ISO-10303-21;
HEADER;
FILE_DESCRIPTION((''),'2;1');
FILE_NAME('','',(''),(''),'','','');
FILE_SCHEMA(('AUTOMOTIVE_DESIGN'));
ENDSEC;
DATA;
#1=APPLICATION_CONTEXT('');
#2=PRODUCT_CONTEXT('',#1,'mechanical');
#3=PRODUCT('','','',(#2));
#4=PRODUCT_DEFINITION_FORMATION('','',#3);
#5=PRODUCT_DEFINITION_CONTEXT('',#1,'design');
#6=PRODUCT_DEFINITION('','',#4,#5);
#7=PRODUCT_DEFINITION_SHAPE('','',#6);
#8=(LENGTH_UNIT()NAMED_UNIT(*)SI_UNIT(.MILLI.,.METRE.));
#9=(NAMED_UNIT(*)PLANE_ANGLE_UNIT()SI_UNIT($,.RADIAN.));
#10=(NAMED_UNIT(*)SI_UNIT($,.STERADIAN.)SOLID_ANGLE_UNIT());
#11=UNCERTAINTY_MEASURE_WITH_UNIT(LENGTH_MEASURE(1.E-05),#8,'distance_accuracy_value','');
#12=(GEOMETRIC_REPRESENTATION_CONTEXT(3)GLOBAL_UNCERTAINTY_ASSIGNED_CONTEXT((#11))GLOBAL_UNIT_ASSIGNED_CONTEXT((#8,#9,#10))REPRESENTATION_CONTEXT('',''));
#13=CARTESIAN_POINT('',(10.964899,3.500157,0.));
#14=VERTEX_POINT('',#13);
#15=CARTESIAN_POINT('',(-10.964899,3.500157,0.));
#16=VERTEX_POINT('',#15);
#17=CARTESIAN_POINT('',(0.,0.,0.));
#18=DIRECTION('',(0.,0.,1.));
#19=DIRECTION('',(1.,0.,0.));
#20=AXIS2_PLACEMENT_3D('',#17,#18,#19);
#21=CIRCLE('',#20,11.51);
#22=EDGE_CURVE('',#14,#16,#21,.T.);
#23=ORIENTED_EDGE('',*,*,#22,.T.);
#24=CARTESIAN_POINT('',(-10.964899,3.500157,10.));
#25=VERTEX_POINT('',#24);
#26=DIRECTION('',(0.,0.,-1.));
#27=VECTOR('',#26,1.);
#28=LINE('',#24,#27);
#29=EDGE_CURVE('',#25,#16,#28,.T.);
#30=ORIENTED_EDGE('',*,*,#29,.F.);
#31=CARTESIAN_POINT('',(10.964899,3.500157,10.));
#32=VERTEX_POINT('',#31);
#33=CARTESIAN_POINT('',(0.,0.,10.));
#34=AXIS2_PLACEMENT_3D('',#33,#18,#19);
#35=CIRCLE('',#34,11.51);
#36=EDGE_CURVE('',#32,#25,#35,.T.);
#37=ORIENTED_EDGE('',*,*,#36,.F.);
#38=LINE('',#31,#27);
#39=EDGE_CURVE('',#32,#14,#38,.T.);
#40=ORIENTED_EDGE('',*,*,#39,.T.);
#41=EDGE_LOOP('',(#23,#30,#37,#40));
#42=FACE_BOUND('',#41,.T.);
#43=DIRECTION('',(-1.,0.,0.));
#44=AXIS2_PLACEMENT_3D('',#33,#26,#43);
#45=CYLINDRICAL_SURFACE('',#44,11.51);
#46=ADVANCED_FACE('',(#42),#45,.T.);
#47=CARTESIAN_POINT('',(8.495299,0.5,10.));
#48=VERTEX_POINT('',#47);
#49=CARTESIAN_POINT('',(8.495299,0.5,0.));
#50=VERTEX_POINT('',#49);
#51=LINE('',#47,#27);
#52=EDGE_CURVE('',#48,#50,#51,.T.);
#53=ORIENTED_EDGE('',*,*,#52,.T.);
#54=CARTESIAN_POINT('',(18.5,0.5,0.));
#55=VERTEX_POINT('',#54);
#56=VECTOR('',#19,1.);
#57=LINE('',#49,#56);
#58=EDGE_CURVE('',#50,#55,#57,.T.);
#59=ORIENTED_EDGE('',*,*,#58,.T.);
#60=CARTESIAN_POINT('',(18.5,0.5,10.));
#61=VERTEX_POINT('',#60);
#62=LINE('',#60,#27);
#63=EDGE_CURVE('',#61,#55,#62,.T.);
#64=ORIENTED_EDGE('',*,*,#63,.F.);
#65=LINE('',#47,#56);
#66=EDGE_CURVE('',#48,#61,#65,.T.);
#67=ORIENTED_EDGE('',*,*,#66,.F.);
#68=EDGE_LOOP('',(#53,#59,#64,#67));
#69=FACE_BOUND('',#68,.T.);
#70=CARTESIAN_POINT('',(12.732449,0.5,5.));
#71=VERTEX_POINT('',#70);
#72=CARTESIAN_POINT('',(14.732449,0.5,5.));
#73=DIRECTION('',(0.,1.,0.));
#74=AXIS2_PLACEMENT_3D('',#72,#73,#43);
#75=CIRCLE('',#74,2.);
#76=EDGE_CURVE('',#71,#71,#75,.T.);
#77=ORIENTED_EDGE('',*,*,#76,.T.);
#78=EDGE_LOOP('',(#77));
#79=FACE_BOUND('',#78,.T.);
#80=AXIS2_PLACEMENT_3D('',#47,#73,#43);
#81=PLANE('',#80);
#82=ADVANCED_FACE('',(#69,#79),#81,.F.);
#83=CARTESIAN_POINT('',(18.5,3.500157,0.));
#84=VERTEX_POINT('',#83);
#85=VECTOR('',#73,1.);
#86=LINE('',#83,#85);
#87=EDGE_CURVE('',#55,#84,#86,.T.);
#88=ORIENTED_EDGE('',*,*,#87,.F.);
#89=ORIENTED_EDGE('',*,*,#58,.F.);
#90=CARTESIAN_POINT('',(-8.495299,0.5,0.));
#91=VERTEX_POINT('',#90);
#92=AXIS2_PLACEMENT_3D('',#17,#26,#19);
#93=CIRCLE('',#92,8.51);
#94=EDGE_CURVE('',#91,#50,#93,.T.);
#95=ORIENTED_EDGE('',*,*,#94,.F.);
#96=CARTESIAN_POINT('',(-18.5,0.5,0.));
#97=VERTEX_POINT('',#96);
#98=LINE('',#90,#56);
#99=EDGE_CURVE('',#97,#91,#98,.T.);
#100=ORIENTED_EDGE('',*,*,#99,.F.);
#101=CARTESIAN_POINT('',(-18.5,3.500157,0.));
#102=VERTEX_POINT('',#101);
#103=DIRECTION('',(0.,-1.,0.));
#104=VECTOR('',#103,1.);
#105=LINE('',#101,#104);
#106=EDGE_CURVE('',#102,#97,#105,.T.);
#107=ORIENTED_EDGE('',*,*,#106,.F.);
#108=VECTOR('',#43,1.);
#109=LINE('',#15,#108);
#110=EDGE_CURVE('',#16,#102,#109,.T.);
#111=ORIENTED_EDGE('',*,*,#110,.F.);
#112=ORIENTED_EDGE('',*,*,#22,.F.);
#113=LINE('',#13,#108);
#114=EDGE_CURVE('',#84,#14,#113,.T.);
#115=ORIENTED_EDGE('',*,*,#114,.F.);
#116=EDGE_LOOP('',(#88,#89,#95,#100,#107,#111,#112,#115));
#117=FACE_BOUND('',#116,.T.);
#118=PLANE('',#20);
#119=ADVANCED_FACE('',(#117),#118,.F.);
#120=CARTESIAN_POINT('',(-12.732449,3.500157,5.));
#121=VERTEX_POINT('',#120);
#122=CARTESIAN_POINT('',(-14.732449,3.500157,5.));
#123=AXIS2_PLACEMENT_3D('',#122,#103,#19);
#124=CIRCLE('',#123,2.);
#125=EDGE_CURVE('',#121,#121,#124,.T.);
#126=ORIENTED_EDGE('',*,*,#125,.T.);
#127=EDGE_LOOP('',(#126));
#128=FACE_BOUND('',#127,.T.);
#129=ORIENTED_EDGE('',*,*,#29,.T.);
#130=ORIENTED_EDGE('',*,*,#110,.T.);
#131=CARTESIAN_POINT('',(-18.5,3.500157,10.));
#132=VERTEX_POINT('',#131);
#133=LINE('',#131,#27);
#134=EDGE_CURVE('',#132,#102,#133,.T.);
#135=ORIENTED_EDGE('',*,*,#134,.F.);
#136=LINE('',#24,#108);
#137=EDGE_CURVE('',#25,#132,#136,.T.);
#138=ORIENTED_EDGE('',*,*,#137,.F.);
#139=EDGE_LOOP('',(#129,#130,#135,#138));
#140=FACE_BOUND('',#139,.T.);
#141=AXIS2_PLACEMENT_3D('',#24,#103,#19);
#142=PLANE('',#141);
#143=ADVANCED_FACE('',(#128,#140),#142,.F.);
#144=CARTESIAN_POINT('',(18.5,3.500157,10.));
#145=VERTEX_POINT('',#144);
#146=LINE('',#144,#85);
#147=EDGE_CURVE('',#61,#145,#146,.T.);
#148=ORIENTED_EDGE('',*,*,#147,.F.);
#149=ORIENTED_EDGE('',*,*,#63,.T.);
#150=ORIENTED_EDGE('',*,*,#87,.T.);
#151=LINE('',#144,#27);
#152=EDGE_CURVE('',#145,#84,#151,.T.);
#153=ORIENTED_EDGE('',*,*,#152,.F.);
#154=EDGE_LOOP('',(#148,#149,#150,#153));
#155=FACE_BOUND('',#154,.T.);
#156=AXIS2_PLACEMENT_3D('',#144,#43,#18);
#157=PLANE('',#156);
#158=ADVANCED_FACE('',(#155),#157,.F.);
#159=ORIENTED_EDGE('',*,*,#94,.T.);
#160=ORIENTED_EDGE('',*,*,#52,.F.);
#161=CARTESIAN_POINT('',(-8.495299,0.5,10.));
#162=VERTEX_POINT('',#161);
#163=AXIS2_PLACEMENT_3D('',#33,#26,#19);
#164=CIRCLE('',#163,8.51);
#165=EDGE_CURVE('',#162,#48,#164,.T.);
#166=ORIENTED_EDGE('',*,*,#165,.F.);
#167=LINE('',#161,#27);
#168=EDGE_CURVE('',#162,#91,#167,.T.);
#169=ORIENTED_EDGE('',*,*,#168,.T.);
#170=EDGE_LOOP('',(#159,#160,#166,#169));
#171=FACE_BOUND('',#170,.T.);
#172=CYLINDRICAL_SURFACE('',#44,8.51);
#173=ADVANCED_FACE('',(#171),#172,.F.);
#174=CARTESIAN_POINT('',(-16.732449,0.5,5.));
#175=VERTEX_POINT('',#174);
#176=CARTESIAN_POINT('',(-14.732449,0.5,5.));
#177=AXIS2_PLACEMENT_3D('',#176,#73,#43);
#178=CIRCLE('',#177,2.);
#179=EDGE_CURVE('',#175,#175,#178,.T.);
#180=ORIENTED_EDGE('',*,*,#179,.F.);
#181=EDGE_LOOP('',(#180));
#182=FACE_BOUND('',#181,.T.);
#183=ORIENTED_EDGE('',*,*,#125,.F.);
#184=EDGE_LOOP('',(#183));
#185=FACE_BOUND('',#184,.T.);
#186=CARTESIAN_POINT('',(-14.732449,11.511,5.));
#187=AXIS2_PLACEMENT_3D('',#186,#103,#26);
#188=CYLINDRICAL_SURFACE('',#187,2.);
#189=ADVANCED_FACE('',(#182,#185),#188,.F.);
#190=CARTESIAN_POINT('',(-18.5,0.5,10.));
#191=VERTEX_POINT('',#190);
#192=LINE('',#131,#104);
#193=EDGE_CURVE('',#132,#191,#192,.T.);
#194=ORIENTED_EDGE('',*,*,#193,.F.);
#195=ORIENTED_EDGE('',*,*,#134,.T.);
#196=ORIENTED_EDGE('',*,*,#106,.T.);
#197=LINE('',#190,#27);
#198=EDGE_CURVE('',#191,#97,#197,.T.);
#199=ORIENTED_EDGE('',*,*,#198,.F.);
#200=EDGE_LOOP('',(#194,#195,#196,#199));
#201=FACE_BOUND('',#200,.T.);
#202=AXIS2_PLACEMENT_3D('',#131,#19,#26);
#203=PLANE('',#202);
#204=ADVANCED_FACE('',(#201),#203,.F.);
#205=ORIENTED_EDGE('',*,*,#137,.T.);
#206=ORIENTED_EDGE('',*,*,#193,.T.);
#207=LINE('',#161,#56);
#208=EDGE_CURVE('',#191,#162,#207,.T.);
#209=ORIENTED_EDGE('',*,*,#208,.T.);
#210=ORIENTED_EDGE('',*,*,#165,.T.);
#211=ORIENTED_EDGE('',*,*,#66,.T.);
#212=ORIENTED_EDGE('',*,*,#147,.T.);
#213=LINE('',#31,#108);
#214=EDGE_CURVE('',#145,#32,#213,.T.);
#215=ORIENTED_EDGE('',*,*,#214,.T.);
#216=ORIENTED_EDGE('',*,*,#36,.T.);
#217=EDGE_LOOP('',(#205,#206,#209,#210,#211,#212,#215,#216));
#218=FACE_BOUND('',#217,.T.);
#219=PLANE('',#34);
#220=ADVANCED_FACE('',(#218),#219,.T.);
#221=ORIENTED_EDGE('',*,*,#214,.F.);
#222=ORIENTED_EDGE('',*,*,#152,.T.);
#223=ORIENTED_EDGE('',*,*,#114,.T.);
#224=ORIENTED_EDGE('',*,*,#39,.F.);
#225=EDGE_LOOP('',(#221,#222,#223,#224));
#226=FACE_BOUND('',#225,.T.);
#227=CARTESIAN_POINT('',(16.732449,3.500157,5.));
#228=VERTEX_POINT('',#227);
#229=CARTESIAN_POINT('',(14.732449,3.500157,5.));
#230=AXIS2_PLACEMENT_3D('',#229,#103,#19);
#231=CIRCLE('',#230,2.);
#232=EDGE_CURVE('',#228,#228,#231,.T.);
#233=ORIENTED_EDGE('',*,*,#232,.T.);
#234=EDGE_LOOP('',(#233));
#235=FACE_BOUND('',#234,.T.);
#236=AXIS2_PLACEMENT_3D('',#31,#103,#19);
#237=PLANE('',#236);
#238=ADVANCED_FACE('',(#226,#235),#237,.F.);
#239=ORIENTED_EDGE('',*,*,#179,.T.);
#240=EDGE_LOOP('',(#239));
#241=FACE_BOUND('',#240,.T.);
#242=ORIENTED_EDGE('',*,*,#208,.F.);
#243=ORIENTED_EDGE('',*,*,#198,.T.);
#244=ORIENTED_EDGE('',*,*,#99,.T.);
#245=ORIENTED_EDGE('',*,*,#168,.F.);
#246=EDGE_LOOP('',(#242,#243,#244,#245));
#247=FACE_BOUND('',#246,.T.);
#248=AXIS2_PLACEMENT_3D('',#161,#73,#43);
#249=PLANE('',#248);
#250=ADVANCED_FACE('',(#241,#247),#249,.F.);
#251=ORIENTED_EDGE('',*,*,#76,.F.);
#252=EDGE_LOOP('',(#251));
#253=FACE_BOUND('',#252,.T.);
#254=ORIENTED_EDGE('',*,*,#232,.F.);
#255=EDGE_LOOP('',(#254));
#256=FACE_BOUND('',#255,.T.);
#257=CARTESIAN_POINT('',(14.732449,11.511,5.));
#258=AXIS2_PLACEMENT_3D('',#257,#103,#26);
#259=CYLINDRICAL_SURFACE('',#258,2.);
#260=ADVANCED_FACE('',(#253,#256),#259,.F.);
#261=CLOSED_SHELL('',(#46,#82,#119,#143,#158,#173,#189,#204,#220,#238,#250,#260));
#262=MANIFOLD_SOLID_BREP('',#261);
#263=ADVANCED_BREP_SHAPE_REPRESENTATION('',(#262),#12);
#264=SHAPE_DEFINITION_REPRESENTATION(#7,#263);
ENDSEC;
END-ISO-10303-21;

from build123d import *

# Parameters (mm, degrees)
BOSS_EXTRUDE1_DEPTH = 10
CUT_EXTRUDE3_REACH  = 13.51
SKETCH2_R           = 2


with BuildPart() as part:
    # Sketch1 → Boss-Extrude1 (new body)
    with BuildSketch(Plane.XY):
        with BuildLine():
            Line((8.4952987, 0.5), (18.5, 0.5))
            Line((18.5, 0.5), (18.5, 3.500157096))
            Line((18.5, 3.500157096), (10.964898554, 3.500157096))
            ThreePointArc((10.964898554, 3.500157096), (0, 11.51), (-10.964898554, 3.500157096))
            Line((-10.964898554, 3.500157096), (-18.5, 3.500157096))
            Line((-18.5, 3.500157096), (-18.5, 0.5))
            Line((-18.5, 0.5), (-8.4952987, 0.5))
            ThreePointArc((-8.4952987, 0.5), (0, 8.51), (8.4952987, 0.5))
        make_face()
    extrude(amount=BOSS_EXTRUDE1_DEPTH)

    # Sketch2 → Cut-Extrude3 (cut, up to next)
    with BuildSketch(Plane(origin=(0, 0, 0), x_dir=(1, 0, 0), z_dir=(0, 1, 0)), mode=Mode.PRIVATE) as cut_extrude3_sk1:
        with Locations((-14.732448989, -5)):
            Circle(SKETCH2_R)
    cut_extrude3_tool1 = extrude(cut_extrude3_sk1.sketch, amount=CUT_EXTRUDE3_REACH, mode=Mode.PRIVATE) & part.part
    add(cut_extrude3_tool1.solids().sort_by_distance((-14.732449, 0, 5))[0], mode=Mode.SUBTRACT)
    # Sketch2 → Cut-Extrude3 (cut, up to next)
    with BuildSketch(Plane(origin=(0, 0, 0), x_dir=(1, 0, 0), z_dir=(0, 1, 0)), mode=Mode.PRIVATE) as cut_extrude3_sk2:
        with Locations((14.732448989, -5)):
            Circle(SKETCH2_R)
    cut_extrude3_tool2 = extrude(cut_extrude3_sk2.sketch, amount=CUT_EXTRUDE3_REACH, mode=Mode.PRIVATE) & part.part
    add(cut_extrude3_tool2.solids().sort_by_distance((14.732449, 0, 5))[0], mode=Mode.SUBTRACT)


solid = part.part
